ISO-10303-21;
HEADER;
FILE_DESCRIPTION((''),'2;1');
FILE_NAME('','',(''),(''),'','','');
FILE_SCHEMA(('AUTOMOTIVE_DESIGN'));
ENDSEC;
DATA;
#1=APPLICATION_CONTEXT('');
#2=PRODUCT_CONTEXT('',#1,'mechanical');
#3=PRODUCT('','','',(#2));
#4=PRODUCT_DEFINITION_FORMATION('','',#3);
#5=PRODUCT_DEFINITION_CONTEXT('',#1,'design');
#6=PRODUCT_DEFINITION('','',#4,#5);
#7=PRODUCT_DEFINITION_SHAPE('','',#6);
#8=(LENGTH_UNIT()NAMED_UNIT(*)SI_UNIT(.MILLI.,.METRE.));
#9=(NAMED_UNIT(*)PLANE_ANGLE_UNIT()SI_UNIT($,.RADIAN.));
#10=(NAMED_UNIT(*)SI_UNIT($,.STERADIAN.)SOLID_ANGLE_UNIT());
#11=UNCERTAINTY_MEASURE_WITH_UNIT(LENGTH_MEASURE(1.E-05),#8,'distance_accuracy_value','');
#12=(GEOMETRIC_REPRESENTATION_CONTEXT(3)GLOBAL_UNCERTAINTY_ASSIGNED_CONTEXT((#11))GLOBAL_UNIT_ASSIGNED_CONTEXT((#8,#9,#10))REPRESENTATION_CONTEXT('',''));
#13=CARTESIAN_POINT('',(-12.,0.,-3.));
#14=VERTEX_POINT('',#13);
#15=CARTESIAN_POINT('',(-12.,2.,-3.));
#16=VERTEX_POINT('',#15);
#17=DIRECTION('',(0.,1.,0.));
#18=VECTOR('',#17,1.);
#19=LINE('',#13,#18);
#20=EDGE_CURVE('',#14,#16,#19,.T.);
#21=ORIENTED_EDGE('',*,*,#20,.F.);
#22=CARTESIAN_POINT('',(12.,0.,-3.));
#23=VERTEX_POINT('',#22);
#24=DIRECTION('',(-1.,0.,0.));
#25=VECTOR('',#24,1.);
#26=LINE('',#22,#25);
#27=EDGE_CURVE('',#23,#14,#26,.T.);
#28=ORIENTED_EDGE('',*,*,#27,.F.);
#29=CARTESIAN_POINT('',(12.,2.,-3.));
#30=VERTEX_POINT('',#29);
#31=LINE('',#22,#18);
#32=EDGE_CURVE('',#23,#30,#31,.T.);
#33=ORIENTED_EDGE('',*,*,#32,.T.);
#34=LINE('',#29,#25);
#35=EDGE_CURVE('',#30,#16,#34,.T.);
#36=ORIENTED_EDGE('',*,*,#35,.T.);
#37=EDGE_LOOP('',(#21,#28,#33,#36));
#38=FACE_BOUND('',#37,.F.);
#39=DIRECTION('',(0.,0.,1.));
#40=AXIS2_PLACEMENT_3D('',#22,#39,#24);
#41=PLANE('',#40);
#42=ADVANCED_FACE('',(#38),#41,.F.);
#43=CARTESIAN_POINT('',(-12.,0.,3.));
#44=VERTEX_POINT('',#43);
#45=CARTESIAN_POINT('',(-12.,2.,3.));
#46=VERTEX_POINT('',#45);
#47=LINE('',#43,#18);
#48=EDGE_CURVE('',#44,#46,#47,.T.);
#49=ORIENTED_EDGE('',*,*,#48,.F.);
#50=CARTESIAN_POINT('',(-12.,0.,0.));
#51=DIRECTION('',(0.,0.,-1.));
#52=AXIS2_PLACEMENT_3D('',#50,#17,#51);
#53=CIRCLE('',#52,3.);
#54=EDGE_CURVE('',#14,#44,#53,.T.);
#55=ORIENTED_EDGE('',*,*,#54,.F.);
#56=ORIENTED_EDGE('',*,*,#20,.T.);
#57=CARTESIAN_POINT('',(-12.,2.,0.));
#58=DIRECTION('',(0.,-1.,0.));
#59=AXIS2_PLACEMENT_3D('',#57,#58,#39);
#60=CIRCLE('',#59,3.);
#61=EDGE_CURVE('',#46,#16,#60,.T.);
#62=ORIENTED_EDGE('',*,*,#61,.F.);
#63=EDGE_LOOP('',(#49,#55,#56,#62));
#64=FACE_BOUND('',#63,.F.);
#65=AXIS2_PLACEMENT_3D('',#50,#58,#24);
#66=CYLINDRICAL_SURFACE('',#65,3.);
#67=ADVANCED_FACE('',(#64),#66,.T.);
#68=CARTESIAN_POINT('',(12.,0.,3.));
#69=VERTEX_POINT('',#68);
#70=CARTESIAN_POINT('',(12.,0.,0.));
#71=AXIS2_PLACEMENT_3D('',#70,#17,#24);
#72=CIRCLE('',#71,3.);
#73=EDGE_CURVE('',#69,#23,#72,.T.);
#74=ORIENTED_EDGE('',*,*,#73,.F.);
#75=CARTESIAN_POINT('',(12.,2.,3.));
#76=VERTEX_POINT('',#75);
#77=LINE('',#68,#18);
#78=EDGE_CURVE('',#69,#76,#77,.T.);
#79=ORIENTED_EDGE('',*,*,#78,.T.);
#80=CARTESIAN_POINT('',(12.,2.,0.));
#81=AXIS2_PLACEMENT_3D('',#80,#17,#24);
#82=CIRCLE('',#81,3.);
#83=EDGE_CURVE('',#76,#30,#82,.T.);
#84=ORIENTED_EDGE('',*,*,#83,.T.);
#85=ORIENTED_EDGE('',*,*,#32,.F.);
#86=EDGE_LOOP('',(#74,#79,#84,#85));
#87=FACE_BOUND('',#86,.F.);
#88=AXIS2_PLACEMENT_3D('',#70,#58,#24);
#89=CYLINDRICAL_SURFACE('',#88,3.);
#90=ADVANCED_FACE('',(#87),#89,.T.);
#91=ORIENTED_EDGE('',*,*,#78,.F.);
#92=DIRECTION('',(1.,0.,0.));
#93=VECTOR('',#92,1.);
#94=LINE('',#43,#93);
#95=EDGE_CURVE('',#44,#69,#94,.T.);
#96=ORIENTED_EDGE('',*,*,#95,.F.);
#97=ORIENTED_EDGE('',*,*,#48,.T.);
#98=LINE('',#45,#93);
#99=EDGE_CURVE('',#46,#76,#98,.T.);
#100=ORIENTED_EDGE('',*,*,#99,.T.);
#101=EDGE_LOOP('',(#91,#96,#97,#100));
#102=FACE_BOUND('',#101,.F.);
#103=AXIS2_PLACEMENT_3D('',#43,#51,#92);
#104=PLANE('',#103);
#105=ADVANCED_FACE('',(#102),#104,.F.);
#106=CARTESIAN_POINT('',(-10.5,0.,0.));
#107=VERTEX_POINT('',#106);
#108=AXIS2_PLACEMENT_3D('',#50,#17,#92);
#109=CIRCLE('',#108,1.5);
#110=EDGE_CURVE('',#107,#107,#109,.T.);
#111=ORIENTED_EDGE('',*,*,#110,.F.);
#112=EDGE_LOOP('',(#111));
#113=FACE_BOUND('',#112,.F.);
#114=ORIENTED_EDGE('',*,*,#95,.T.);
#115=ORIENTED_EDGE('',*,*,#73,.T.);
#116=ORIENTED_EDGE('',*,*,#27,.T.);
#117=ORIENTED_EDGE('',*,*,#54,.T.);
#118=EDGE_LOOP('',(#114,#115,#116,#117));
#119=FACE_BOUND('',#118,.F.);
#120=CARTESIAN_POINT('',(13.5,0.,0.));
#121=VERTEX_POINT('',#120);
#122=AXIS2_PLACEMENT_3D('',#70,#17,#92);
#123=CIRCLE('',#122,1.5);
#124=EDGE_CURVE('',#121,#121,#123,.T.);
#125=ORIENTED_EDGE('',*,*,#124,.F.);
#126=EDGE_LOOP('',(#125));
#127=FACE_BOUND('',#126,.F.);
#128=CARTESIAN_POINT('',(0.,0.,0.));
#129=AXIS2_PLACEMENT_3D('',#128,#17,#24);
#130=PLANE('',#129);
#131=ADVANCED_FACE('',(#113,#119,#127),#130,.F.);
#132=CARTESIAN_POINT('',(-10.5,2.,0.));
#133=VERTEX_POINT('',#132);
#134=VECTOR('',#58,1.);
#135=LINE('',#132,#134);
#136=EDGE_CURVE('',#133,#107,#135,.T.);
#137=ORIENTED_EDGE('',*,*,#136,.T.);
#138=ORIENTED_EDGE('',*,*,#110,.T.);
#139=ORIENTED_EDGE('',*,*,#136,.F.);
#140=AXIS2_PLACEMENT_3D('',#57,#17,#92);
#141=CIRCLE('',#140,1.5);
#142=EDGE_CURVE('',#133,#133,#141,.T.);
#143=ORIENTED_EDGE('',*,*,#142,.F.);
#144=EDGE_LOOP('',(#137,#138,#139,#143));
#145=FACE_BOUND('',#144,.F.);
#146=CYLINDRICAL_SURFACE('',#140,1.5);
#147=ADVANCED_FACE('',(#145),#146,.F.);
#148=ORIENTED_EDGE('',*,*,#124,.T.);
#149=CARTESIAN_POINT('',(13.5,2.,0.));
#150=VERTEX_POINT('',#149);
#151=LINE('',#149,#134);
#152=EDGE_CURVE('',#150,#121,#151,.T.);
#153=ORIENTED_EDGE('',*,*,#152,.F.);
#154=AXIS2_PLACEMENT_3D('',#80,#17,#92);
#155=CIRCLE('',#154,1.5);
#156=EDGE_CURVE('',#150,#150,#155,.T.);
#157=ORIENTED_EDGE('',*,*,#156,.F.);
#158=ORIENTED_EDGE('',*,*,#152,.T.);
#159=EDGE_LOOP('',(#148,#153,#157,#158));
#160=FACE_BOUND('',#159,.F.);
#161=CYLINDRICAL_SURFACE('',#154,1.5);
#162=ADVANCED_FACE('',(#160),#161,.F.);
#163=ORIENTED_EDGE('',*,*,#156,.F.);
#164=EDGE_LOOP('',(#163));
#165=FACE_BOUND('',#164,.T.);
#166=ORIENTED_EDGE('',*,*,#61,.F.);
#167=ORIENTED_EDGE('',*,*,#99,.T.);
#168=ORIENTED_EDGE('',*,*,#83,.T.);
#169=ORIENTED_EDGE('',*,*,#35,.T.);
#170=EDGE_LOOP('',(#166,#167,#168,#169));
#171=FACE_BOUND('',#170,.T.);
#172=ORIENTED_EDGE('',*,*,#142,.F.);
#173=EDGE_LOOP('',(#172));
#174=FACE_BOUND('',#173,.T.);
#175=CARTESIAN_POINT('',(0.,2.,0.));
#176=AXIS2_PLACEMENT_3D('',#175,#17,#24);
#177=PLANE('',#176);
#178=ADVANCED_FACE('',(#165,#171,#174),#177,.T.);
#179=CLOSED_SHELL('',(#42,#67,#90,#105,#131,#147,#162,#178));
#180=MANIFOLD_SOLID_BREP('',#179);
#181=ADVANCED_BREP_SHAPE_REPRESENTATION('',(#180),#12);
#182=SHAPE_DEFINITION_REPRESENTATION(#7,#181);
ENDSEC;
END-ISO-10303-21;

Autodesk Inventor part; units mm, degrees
ref_plane "YZ Plane" through (0, 0, 0) normal (1, 0, 0) x (0, 1, 0)
ref_plane "XZ Plane" through (0, 0, 0) normal (0, 1, 0) x (-1, 0, 0)
ref_plane "XY Plane" through (0, 0, 0) normal (0, 0, 1) x (1, 0, 0)
sketch "Sketch1" plane through (0, 0, 0) normal (0, 1, 0) x (-1, 0, 0)
  line L0 (-12, -3) -> (12, -3)
  line L1 (12, -3) -> (12, 3)
  line L2 (12, 3) -> (-12, 3)
  line L3 (-12, 3) -> (-12, -3)
  line L4 (-12, -3) -> (12, 3) construction
  line L5 (12, -3) -> (-12, 3) construction
  circle A0 centre (12, 0) radius 3
  circle A1 centre (-12, 0) radius 3
  point P0 (0, 0)
  dimension "d0" = 24
  dimension "d1" = 6
  dimension "d2" = 6
  dimension "d3" = 6
extrude "Extrusion1" add sketch "Sketch1" along normal blind 2
sketch "Sketch2" plane through (0, 2, 0) normal (0, 1, 0) x (1, 0, 0)
  arc A0 (12, -3) -> (12, 3) centre (12, 0) ccw projected
  arc A1 (-12, 3) -> (-12, -3) centre (-12, 0) ccw projected
  circle A2 centre (-12, 0) radius 1
  circle A3 centre (12, 0) radius 1.5
  circle A4 centre (-12, 0) radius 1.5
  point P0 (0, 0)
  dimension "d6" = 2
  dimension "d7" = 3
  dimension "d8" = 3
extrude "Extrusion2" cut sketch "Sketch2" against normal blind 2 contours A2 | A3 | A4
properties part number "tahlo5"
